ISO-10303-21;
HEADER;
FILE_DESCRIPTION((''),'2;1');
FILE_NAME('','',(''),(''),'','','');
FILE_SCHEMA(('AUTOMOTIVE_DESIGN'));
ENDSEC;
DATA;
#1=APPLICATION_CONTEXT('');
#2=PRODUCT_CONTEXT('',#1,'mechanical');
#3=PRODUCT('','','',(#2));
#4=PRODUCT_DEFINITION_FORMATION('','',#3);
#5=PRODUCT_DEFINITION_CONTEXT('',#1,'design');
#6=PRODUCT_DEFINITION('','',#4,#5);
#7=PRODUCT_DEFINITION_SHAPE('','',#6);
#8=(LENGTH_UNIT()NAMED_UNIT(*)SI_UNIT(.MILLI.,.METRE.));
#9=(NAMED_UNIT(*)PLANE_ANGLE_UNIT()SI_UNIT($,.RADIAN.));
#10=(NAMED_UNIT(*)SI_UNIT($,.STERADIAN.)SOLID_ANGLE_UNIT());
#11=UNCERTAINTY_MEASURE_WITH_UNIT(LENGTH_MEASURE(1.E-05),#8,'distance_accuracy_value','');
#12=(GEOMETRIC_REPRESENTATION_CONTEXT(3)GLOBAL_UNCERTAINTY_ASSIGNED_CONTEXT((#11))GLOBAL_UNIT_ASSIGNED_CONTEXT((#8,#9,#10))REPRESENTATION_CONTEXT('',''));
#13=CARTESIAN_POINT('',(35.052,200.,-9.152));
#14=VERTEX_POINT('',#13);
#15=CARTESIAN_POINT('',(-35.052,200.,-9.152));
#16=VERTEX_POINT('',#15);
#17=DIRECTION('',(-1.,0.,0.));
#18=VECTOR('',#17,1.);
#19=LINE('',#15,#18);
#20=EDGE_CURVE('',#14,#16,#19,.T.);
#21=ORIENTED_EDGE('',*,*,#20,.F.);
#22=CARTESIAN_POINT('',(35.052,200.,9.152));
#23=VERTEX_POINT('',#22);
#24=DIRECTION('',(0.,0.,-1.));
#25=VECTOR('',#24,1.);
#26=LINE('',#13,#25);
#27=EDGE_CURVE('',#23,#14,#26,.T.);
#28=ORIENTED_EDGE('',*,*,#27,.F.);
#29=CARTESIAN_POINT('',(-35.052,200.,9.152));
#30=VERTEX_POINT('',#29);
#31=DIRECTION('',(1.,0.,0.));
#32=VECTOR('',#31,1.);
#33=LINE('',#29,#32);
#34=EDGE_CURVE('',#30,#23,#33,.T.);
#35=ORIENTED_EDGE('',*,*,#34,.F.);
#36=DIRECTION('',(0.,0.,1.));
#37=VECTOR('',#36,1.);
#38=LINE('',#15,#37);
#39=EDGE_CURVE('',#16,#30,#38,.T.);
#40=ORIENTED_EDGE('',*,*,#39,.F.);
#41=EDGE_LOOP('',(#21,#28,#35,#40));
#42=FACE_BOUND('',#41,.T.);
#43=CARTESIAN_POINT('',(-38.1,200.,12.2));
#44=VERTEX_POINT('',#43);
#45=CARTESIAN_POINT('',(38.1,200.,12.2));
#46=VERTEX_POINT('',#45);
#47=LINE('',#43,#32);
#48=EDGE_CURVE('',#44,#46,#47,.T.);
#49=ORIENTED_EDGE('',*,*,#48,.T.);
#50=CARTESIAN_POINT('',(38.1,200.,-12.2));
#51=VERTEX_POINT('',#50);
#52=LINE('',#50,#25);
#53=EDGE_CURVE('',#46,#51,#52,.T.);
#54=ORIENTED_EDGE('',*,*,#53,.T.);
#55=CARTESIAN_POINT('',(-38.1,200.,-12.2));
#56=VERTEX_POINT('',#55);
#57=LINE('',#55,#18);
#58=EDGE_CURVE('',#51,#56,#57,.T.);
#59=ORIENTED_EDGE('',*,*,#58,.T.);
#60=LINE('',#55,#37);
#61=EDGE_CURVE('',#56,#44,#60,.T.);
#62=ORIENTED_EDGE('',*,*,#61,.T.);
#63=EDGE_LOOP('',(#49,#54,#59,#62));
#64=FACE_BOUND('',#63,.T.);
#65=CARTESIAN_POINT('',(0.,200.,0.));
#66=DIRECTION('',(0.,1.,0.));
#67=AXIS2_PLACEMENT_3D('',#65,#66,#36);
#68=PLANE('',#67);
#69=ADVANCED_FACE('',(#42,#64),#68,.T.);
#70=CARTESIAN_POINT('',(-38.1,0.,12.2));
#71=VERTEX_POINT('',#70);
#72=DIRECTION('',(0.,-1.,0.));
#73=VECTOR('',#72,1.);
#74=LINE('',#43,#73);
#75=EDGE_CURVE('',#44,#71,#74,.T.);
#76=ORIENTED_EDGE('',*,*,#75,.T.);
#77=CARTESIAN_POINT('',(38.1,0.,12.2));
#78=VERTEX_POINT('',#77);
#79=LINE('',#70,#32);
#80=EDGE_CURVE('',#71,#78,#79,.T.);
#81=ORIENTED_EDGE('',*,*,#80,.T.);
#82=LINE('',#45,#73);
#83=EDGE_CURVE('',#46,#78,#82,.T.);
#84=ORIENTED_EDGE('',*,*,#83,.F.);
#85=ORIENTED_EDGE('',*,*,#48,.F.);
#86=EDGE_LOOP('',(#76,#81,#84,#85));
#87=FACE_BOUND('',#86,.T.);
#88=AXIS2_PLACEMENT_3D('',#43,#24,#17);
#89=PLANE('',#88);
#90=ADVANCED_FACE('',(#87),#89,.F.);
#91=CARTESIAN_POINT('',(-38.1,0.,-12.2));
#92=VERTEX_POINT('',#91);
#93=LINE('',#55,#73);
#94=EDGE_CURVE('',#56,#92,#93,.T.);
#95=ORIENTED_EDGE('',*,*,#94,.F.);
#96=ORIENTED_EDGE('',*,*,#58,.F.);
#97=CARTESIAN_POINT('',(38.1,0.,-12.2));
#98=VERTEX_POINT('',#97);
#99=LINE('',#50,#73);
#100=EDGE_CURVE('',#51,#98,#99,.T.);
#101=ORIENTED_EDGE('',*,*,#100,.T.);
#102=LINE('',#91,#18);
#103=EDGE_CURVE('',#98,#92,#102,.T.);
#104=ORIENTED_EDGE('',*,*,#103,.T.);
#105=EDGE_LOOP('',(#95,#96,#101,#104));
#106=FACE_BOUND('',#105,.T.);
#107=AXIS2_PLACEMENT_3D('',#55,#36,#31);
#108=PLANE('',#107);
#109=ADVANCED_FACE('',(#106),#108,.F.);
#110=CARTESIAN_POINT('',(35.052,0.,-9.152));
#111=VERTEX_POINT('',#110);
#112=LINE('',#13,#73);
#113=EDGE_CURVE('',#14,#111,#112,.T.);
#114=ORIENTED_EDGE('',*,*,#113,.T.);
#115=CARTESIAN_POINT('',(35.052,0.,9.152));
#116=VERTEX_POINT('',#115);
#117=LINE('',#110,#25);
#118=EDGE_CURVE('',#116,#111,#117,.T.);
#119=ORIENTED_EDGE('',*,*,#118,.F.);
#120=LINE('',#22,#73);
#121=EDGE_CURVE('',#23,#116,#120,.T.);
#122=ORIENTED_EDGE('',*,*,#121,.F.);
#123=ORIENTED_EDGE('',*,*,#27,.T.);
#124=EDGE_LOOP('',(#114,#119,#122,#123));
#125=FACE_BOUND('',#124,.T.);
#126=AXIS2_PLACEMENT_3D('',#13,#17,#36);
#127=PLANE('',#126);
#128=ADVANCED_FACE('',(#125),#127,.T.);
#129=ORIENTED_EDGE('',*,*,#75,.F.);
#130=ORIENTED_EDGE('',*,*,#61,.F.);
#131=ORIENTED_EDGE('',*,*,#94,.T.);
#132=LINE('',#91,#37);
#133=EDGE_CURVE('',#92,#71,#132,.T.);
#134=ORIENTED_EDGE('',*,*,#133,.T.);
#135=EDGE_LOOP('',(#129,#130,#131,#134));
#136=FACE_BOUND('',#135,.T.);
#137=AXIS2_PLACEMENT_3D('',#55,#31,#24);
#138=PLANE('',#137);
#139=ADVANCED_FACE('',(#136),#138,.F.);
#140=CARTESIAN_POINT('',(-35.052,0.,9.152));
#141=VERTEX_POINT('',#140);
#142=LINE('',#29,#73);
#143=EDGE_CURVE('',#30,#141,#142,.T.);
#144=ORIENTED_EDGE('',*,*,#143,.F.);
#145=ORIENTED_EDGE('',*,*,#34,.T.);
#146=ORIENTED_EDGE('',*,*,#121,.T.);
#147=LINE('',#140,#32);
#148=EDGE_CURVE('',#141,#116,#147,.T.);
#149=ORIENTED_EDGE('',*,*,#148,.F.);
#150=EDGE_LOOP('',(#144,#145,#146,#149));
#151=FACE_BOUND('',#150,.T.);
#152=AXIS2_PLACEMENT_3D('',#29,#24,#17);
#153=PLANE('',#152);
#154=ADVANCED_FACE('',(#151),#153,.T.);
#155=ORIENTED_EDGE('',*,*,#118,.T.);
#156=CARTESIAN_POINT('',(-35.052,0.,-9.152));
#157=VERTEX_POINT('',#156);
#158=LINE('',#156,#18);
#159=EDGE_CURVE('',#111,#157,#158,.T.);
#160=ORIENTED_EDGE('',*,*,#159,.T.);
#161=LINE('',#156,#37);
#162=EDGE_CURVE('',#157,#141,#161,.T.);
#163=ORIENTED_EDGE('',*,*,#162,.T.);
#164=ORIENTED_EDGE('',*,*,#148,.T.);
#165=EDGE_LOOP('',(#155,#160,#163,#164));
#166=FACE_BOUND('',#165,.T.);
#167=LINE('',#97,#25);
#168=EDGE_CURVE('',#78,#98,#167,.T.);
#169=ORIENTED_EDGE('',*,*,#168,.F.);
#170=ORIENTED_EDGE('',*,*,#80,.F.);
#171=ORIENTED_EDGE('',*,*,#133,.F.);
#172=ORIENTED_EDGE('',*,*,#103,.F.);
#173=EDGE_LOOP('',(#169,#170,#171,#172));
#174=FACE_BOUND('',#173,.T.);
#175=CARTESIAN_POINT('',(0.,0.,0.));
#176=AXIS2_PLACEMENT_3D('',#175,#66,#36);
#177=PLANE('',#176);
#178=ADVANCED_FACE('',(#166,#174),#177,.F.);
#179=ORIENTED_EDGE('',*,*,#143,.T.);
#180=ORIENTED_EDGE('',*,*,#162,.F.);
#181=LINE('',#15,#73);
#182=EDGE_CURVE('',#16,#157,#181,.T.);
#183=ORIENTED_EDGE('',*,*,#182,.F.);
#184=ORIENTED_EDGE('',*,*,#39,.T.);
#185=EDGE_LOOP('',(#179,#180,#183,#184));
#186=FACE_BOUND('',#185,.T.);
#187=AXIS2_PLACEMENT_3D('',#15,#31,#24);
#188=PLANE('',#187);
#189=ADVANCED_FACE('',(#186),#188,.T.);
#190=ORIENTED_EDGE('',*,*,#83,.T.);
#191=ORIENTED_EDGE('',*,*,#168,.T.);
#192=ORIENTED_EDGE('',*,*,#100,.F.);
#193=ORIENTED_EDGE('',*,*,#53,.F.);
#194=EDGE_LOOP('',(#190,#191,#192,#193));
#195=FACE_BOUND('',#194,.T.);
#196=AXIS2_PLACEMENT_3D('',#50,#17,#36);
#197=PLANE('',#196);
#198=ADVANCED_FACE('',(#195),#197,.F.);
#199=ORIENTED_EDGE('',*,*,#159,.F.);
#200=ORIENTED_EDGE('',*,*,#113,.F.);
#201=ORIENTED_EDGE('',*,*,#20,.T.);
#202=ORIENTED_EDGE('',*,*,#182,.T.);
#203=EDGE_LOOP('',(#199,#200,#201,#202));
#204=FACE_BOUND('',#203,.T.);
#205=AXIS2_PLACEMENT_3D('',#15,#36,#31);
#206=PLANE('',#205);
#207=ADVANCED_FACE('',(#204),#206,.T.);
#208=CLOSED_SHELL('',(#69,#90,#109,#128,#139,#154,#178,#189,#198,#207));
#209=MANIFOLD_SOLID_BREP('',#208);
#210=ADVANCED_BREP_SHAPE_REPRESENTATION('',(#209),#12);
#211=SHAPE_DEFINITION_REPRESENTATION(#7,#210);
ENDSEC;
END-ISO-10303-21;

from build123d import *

# Parameters (mm, degrees)
SKETCH1_W           = 76.2
SKETCH1_H           = 24.4
SKETCH1_W_2         = 70.104
SKETCH1_H_2         = 18.304
BOSS_EXTRUDE1_DEPTH = 200


with BuildPart() as part:
    # Sketch1 → Boss-Extrude1 (new body)
    with BuildSketch(Plane(origin=(0, 0, 0), x_dir=(1, 0, 0), z_dir=(0, 1, 0))):
        Rectangle(SKETCH1_W, SKETCH1_H)
        Rectangle(SKETCH1_W_2, SKETCH1_H_2, mode=Mode.SUBTRACT)
    extrude(amount=BOSS_EXTRUDE1_DEPTH)


solid = part.part
